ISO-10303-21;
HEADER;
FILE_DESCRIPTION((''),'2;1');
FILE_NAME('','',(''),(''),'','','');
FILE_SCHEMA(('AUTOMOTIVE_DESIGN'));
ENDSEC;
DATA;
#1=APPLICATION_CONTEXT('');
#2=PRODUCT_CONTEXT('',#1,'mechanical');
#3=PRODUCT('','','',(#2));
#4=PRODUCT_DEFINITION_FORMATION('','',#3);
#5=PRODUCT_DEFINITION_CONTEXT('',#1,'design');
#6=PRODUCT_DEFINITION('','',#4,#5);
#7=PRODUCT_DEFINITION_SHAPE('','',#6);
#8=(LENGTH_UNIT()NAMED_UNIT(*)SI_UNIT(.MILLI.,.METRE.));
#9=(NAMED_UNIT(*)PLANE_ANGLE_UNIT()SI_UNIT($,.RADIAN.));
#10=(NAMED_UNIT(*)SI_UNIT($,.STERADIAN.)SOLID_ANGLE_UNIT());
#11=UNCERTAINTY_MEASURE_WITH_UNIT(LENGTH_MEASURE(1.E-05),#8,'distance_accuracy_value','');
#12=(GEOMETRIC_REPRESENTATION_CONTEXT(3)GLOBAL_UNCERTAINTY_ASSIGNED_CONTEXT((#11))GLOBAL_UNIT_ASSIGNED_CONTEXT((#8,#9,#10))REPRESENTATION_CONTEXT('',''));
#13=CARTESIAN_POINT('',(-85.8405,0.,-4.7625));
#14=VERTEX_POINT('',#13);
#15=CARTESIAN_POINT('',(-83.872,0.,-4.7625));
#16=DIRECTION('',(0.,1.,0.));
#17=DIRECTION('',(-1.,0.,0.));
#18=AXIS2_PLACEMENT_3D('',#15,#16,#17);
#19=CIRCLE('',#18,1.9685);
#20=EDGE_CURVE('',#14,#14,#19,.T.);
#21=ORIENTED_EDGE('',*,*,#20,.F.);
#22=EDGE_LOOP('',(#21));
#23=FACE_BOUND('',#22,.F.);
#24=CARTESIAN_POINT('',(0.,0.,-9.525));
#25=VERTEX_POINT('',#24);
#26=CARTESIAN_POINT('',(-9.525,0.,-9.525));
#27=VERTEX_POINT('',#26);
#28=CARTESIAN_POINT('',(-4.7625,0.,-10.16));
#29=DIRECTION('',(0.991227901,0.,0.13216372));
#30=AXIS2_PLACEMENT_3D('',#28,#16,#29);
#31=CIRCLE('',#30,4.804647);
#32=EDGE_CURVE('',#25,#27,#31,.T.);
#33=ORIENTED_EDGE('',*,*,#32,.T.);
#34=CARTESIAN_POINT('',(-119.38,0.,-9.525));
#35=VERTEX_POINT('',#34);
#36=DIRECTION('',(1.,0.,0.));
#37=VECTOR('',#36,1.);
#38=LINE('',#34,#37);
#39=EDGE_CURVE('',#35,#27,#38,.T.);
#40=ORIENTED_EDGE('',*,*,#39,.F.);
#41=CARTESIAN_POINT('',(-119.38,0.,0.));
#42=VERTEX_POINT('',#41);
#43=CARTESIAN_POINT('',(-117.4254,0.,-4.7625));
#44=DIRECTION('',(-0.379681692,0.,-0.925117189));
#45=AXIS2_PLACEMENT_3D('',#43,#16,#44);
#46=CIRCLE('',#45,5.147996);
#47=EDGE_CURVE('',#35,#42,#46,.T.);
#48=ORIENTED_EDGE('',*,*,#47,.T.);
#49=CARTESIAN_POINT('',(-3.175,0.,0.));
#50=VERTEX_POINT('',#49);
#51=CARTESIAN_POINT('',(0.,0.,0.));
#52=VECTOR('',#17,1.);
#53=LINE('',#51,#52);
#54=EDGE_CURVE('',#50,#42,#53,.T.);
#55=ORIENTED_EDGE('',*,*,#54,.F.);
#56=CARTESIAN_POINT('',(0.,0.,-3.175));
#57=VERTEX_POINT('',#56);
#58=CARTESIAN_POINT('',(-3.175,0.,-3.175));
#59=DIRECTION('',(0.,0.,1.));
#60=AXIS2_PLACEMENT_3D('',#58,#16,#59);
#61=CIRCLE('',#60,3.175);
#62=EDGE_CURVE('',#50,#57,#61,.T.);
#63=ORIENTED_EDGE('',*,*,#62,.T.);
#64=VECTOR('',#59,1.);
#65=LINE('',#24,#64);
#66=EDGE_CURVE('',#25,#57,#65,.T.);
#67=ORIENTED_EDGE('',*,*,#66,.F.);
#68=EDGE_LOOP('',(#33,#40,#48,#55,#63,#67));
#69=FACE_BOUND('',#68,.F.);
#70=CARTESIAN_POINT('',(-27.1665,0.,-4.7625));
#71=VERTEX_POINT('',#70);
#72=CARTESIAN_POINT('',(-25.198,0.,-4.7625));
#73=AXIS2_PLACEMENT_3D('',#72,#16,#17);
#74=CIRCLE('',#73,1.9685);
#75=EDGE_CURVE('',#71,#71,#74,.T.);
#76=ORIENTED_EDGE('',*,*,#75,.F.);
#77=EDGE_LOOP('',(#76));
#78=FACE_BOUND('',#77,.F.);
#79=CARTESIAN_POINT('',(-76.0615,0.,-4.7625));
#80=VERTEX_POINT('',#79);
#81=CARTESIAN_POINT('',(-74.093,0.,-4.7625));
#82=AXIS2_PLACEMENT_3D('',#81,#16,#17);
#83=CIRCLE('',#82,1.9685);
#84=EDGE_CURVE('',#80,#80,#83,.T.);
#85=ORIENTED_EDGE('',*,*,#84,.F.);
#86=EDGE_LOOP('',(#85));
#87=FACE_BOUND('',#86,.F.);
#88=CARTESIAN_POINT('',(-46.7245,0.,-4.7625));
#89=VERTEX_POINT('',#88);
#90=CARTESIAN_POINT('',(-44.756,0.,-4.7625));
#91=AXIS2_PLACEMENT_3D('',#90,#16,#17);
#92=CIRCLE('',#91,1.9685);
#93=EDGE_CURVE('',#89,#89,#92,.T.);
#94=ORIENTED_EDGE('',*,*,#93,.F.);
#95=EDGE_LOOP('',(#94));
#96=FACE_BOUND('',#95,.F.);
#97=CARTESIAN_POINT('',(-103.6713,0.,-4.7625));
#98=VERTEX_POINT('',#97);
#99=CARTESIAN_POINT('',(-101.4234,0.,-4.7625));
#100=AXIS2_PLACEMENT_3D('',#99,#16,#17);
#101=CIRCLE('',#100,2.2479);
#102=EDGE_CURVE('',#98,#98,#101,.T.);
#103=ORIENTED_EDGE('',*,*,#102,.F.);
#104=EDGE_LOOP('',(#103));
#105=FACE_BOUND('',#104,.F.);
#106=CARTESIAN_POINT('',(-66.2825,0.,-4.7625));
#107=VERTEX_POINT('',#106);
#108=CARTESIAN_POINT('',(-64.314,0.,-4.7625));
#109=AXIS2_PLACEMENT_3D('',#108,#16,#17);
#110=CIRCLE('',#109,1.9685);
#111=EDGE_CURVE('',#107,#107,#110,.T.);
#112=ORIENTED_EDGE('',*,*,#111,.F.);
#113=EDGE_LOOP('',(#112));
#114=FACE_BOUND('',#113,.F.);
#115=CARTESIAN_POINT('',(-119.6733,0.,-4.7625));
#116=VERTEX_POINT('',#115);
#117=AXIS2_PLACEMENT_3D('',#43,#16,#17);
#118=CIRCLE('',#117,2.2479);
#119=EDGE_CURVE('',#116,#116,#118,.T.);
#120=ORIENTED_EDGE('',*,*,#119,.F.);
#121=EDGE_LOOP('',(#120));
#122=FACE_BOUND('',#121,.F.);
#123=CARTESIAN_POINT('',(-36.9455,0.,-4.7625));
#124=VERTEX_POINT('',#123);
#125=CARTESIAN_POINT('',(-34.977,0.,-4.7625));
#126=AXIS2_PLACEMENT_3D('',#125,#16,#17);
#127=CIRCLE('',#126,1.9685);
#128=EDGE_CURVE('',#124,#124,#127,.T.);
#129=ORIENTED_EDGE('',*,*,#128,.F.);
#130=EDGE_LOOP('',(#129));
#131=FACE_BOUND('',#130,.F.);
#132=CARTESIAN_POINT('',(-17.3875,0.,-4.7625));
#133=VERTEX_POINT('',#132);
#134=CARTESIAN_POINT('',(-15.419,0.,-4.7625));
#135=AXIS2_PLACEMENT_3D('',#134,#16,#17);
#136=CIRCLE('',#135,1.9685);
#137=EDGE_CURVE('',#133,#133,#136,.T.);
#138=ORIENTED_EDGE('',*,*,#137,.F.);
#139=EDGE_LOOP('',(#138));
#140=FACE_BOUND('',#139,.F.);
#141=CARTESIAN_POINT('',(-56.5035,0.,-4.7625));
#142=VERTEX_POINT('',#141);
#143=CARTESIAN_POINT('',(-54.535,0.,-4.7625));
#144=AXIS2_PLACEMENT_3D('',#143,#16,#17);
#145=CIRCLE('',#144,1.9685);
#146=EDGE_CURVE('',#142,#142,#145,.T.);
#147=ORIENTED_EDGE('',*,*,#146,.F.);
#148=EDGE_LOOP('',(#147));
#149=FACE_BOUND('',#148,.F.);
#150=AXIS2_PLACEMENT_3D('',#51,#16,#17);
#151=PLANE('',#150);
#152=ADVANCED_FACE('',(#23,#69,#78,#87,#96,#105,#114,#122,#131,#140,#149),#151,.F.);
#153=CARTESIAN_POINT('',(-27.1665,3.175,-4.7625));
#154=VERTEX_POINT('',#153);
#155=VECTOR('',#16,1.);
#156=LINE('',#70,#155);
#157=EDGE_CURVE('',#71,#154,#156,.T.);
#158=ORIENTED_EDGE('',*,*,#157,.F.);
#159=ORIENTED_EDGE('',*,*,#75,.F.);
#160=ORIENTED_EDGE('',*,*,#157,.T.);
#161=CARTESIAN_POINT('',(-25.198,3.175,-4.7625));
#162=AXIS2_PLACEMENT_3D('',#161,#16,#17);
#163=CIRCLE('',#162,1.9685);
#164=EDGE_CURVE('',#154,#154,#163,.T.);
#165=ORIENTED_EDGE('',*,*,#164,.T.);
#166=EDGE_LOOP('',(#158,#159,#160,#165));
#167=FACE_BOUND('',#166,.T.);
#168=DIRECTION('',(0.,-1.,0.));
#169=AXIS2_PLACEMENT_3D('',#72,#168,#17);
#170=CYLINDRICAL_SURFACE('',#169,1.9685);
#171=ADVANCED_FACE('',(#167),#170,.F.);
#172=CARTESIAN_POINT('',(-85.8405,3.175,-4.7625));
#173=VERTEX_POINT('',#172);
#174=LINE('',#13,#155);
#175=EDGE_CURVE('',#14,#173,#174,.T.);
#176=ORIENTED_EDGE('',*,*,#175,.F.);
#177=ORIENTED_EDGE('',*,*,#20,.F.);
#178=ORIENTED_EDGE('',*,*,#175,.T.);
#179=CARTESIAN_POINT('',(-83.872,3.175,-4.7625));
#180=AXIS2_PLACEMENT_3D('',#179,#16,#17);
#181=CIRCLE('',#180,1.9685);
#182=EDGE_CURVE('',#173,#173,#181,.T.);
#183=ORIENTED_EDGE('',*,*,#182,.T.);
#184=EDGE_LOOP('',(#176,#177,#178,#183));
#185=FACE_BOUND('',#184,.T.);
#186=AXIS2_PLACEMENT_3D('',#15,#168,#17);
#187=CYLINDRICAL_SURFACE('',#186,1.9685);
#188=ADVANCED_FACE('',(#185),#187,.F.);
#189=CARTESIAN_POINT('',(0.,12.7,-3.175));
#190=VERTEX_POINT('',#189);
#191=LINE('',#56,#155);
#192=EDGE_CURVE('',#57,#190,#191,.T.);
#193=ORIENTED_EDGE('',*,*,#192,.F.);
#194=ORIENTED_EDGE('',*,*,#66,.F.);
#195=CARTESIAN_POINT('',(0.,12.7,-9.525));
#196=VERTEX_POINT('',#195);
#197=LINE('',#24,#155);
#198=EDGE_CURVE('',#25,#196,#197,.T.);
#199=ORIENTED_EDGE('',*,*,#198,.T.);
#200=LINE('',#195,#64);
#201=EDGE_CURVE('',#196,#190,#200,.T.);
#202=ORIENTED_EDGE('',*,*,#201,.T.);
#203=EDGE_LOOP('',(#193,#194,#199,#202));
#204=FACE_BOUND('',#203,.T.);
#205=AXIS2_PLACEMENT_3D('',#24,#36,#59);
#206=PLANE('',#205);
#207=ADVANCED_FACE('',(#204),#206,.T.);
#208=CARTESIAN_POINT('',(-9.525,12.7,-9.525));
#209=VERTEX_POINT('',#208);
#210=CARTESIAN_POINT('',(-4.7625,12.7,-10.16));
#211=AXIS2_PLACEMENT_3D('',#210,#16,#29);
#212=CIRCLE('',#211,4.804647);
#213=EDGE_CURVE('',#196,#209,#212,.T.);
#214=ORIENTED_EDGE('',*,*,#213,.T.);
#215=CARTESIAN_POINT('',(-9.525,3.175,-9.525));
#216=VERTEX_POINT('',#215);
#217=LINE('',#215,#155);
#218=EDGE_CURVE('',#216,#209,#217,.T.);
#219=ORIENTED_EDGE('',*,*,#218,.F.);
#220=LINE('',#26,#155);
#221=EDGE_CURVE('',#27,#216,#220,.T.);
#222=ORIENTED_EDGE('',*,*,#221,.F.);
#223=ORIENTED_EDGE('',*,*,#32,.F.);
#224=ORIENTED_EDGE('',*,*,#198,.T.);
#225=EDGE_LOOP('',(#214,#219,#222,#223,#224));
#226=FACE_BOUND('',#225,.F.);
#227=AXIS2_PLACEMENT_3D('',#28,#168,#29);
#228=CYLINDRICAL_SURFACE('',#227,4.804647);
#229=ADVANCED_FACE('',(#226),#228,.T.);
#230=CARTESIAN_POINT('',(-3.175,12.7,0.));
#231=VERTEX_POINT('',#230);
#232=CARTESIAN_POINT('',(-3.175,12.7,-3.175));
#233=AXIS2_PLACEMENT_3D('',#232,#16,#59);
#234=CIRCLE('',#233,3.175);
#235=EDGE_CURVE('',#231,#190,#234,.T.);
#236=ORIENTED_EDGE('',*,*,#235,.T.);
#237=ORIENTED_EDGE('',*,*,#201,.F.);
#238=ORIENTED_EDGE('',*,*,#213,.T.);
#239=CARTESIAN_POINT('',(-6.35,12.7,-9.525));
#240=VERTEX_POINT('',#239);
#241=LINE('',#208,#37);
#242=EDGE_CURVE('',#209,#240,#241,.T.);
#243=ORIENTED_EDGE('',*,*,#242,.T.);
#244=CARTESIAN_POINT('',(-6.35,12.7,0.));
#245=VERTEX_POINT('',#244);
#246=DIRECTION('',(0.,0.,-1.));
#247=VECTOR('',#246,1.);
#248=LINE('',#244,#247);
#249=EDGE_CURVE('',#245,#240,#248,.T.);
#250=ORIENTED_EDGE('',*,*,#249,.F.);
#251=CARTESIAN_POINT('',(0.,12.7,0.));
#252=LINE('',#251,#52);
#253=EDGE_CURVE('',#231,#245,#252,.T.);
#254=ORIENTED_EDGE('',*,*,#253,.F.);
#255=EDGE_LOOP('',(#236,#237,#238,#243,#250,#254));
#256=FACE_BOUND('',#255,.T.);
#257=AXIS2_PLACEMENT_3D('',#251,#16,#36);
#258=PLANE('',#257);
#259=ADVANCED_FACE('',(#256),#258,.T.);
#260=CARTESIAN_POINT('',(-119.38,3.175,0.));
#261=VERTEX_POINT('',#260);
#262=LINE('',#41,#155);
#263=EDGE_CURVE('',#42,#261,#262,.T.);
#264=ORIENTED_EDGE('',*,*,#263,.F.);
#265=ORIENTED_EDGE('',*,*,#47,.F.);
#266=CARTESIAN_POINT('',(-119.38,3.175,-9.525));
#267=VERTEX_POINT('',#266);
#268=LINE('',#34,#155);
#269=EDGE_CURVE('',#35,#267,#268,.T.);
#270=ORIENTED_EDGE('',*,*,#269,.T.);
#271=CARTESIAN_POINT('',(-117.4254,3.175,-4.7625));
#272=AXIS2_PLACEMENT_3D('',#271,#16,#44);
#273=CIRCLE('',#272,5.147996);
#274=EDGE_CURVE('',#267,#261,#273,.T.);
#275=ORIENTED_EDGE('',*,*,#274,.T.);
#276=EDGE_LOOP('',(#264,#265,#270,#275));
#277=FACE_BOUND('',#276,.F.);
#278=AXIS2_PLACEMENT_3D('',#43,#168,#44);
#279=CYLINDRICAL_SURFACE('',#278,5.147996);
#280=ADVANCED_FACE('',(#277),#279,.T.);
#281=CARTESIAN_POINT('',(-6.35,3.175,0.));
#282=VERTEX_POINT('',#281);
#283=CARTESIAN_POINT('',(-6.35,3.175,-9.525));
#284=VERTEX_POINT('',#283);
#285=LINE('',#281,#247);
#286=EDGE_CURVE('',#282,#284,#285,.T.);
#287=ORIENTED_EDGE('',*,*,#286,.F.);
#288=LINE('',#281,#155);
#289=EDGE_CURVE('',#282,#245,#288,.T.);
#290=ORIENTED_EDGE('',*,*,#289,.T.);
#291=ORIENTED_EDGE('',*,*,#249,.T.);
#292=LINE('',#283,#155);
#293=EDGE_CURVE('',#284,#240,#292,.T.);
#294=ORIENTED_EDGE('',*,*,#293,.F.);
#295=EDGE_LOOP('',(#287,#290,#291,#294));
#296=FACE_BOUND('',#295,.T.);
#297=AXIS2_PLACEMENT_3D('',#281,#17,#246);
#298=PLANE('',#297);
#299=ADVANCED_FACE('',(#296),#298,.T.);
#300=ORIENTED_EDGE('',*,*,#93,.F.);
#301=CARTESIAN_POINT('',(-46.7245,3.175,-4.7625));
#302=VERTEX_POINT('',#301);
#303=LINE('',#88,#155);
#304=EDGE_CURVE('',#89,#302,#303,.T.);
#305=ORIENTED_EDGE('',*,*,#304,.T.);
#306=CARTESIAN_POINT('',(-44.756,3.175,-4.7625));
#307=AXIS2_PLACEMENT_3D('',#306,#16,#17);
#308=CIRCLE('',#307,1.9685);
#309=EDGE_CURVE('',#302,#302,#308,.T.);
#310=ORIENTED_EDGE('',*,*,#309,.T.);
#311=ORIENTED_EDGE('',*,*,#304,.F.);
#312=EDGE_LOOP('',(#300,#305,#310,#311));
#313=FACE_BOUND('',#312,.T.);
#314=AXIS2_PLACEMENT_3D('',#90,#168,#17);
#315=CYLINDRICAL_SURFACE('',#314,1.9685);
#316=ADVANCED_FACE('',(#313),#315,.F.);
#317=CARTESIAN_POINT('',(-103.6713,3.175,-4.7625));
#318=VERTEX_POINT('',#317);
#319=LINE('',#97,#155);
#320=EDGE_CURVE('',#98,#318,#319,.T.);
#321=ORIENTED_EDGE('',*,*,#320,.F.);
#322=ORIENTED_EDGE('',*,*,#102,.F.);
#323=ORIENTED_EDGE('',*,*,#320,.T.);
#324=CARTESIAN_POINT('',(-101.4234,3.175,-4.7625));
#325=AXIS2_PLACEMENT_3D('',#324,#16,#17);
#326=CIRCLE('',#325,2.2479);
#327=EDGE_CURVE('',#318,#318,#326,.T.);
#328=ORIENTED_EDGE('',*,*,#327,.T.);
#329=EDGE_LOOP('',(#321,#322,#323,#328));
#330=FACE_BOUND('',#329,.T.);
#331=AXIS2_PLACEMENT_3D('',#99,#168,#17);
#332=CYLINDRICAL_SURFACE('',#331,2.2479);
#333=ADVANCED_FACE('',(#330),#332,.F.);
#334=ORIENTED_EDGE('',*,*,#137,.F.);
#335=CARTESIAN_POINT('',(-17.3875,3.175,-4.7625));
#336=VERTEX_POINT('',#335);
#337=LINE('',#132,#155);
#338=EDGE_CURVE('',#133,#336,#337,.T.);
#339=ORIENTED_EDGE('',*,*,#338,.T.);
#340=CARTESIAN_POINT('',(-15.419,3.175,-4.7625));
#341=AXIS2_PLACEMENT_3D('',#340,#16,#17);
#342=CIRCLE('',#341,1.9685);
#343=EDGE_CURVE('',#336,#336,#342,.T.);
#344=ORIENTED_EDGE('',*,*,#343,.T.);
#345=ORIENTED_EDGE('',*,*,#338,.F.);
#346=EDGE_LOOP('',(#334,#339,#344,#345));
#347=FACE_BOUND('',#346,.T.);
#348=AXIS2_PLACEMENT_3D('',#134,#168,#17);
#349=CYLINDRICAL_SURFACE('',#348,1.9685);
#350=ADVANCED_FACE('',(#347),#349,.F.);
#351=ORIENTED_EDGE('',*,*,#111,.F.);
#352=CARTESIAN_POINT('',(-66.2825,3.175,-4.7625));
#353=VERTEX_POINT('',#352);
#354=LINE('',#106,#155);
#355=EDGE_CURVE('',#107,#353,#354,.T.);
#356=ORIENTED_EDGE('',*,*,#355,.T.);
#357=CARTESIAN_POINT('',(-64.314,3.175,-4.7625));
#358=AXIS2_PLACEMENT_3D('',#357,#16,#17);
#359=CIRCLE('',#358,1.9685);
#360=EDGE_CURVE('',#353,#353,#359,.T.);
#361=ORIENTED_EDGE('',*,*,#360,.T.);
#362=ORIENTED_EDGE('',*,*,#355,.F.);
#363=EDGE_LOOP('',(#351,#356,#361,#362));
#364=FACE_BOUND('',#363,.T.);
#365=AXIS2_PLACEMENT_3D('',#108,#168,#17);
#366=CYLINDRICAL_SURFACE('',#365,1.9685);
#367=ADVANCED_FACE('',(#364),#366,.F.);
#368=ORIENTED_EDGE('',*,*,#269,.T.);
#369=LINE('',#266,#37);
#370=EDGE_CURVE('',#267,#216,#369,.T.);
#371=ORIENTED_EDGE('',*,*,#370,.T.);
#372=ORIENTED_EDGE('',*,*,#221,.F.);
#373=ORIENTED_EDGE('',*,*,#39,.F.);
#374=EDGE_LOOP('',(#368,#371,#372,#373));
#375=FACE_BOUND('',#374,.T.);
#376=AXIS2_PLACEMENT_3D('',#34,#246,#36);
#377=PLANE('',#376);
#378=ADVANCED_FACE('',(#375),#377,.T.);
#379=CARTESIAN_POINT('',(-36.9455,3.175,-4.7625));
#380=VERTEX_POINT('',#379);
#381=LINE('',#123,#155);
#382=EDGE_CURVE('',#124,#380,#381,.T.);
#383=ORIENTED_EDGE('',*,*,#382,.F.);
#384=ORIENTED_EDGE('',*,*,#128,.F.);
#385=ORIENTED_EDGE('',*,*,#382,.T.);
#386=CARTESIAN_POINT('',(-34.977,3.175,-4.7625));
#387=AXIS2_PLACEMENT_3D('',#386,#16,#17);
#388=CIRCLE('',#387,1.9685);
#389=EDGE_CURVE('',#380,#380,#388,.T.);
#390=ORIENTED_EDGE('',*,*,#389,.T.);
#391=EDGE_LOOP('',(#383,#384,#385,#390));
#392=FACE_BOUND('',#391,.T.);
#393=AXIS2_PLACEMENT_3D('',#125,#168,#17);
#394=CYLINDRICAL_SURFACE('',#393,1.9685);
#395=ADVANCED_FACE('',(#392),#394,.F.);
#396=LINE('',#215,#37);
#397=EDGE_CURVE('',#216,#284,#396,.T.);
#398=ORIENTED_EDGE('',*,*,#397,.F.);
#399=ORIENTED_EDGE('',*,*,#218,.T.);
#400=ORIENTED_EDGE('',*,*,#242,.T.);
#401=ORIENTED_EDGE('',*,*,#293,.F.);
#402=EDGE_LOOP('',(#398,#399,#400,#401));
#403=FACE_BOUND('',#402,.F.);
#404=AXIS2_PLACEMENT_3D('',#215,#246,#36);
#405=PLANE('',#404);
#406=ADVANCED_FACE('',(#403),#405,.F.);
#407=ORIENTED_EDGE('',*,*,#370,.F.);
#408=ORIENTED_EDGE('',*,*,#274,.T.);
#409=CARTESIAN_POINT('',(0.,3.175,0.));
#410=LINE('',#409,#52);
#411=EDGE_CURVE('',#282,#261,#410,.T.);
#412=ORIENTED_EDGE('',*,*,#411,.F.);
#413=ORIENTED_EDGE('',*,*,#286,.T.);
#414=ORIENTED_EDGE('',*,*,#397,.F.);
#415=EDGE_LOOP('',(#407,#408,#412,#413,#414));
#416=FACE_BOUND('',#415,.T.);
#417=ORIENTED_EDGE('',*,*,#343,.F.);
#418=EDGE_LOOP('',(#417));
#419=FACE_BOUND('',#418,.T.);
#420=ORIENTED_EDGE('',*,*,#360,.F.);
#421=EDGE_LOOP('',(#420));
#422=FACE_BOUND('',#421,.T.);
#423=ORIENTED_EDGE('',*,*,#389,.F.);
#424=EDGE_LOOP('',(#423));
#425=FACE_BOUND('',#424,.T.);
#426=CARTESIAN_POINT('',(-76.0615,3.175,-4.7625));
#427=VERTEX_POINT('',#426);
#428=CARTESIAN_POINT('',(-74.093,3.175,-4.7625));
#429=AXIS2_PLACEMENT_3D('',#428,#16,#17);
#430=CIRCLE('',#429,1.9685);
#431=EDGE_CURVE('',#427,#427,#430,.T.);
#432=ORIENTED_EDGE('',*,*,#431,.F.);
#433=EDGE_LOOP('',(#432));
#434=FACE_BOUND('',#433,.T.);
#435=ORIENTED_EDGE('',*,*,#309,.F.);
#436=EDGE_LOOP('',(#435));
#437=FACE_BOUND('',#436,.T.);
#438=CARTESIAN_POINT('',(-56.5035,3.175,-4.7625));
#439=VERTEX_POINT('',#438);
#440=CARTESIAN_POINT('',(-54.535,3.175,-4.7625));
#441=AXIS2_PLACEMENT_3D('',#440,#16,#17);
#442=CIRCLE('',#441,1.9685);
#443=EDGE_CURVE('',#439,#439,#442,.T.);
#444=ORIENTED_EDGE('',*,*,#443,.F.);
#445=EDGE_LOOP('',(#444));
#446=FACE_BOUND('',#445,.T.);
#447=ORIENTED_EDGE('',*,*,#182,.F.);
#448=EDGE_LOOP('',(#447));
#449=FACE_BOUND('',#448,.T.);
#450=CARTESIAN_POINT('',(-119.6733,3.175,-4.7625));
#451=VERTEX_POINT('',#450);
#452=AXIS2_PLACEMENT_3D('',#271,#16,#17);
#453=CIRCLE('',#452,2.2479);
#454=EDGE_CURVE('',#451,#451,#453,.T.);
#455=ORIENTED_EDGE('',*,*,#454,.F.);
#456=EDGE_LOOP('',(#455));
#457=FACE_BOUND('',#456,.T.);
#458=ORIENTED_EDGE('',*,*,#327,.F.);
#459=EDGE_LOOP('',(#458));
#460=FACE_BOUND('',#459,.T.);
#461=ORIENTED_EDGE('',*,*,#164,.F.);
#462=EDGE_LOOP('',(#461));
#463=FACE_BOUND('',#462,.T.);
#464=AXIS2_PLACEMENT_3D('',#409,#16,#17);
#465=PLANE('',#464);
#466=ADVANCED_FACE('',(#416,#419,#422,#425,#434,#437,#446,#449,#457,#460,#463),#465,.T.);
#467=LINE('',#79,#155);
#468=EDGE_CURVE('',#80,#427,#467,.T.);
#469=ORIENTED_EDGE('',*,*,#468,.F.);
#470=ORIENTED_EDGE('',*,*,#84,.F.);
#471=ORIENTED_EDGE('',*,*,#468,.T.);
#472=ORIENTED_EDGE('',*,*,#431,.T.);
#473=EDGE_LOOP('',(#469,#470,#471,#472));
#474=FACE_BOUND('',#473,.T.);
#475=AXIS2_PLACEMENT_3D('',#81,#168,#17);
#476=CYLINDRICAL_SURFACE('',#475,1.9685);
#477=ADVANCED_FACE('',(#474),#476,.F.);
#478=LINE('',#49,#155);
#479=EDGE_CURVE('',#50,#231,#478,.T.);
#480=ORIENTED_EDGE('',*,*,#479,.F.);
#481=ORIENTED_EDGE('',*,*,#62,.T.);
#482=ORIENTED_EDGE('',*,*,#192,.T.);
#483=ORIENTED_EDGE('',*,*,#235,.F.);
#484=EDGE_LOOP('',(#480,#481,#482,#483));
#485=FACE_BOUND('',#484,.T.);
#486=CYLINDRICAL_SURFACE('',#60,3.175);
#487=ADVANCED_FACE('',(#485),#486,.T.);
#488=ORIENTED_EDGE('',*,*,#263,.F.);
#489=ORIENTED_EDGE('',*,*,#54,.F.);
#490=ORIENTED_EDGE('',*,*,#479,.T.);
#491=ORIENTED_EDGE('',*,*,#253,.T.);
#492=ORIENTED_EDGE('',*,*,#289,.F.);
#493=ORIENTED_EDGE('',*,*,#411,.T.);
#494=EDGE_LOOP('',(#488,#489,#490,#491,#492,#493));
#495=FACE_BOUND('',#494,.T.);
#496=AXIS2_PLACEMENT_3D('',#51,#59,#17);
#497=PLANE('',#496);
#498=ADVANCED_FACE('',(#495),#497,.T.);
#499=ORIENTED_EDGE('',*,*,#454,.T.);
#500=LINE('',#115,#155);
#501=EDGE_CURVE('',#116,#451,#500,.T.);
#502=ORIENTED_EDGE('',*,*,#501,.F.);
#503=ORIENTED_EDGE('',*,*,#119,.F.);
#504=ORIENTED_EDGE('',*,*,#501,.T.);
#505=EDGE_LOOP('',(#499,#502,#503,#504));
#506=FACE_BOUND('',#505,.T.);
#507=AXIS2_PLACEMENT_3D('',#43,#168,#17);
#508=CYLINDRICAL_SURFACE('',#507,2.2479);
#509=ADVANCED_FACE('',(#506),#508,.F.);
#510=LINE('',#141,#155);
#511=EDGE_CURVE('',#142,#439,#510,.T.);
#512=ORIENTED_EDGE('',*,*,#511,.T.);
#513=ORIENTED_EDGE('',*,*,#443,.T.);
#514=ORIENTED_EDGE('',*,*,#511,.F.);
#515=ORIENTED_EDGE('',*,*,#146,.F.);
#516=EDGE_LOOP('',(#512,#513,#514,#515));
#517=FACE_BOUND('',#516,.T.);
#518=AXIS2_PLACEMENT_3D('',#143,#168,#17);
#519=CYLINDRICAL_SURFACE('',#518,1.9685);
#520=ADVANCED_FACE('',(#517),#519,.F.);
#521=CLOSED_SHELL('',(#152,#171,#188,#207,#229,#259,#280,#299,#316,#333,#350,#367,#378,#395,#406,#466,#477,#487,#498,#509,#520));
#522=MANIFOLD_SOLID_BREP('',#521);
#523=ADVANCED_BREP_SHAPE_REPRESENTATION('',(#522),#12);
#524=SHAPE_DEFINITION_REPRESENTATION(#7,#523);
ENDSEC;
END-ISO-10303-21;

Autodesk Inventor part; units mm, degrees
ref_plane "YZ Plane" through (0, 0, 0) normal (1, 0, 0) x (0, 1, 0)
ref_plane "XZ Plane" through (0, 0, 0) normal (0, 1, 0) x (-1, 0, 0)
ref_plane "XY Plane" through (0, 0, 0) normal (0, 0, 1) x (1, 0, 0)
sketch "Sketch1" plane through (0, 0, 0) normal (0, 1, 0) x (-1, 0, 0)
  line L0 (0, 0) -> (119.38, 0)
  line L1 (119.38, -9.525) -> (9.525, -9.525)
  line L2 (0, -9.525) -> (0, 0)
  arc A0 (0, -9.525) -> (9.525, -9.525) centre (4.7625, -10.16) ccw
  arc A1 (119.38, -9.525) -> (119.38, 0) centre (117.4254, -4.7625) ccw
  circle A2 centre (117.4254, -4.7625) radius 2.2479
  circle A3 centre (101.4234, -4.7625) radius 2.2479
  circle A4 centre (83.872, -4.7625) radius 1.9685
  circle A5 centre (74.093, -4.7625) radius 1.9685
  circle A6 centre (64.314, -4.7625) radius 1.9685
  circle A7 centre (54.535, -4.7625) radius 1.9685
  circle A8 centre (44.756, -4.7625) radius 1.9685
  circle A9 centre (34.977, -4.7625) radius 1.9685
  circle A10 centre (25.198, -4.7625) radius 1.9685
  circle A11 centre (15.419, -4.7625) radius 1.9685
  dimension "d9" = 9.525
  dimension "d10" = 119.38
  dimension "d11" = 4.4958
  dimension "d12" = 4.4958
  dimension "d13" = 16.002
  dimension "d14" = 3.937
  dimension "d15" = 17.5514
  dimension "d18" = 9.779
extrude "Extrusion1" add sketch "Sketch1" along normal blind 3.175
sketch "Sketch2" plane through (0, 3.175, 0) normal (0, 1, 0) x (1, 0, 0)
  circle A0 centre (-34.977, 4.7625) radius 1.9685 construction
  arc A1 (0, 9.525) -> (-9.525, 9.525) centre (-4.7625, 10.16) ccw construction
  line L0 (0, 0) -> (-6.35, 0)
  line L1 (-6.35, 0) -> (-6.35, 9.525)
  line L2 (-9.525, 9.525) -> (-6.35, 9.525)
  line L3 (0, 9.525) -> (0, 0)
  line L4 (-119.38, 0) -> (0, 0) projected
  line L5 (0, 0) -> (0, 9.525) projected
  arc A2 (0, 9.525) -> (-9.525, 9.525) centre (-4.7625, 10.16) ccw
  point P0 (-4.7625, 4.7625)
  dimension "d27" = 0
  dimension "d28" = 6.35
  dimension "d32" = 0
extrude "Extrusion2" add sketch "Sketch2" along normal blind 9.525
fillet "Fillet2" radius 3.175 1 edges at (0, 6.35, 0)
properties part number "Rear Collector Arm"
